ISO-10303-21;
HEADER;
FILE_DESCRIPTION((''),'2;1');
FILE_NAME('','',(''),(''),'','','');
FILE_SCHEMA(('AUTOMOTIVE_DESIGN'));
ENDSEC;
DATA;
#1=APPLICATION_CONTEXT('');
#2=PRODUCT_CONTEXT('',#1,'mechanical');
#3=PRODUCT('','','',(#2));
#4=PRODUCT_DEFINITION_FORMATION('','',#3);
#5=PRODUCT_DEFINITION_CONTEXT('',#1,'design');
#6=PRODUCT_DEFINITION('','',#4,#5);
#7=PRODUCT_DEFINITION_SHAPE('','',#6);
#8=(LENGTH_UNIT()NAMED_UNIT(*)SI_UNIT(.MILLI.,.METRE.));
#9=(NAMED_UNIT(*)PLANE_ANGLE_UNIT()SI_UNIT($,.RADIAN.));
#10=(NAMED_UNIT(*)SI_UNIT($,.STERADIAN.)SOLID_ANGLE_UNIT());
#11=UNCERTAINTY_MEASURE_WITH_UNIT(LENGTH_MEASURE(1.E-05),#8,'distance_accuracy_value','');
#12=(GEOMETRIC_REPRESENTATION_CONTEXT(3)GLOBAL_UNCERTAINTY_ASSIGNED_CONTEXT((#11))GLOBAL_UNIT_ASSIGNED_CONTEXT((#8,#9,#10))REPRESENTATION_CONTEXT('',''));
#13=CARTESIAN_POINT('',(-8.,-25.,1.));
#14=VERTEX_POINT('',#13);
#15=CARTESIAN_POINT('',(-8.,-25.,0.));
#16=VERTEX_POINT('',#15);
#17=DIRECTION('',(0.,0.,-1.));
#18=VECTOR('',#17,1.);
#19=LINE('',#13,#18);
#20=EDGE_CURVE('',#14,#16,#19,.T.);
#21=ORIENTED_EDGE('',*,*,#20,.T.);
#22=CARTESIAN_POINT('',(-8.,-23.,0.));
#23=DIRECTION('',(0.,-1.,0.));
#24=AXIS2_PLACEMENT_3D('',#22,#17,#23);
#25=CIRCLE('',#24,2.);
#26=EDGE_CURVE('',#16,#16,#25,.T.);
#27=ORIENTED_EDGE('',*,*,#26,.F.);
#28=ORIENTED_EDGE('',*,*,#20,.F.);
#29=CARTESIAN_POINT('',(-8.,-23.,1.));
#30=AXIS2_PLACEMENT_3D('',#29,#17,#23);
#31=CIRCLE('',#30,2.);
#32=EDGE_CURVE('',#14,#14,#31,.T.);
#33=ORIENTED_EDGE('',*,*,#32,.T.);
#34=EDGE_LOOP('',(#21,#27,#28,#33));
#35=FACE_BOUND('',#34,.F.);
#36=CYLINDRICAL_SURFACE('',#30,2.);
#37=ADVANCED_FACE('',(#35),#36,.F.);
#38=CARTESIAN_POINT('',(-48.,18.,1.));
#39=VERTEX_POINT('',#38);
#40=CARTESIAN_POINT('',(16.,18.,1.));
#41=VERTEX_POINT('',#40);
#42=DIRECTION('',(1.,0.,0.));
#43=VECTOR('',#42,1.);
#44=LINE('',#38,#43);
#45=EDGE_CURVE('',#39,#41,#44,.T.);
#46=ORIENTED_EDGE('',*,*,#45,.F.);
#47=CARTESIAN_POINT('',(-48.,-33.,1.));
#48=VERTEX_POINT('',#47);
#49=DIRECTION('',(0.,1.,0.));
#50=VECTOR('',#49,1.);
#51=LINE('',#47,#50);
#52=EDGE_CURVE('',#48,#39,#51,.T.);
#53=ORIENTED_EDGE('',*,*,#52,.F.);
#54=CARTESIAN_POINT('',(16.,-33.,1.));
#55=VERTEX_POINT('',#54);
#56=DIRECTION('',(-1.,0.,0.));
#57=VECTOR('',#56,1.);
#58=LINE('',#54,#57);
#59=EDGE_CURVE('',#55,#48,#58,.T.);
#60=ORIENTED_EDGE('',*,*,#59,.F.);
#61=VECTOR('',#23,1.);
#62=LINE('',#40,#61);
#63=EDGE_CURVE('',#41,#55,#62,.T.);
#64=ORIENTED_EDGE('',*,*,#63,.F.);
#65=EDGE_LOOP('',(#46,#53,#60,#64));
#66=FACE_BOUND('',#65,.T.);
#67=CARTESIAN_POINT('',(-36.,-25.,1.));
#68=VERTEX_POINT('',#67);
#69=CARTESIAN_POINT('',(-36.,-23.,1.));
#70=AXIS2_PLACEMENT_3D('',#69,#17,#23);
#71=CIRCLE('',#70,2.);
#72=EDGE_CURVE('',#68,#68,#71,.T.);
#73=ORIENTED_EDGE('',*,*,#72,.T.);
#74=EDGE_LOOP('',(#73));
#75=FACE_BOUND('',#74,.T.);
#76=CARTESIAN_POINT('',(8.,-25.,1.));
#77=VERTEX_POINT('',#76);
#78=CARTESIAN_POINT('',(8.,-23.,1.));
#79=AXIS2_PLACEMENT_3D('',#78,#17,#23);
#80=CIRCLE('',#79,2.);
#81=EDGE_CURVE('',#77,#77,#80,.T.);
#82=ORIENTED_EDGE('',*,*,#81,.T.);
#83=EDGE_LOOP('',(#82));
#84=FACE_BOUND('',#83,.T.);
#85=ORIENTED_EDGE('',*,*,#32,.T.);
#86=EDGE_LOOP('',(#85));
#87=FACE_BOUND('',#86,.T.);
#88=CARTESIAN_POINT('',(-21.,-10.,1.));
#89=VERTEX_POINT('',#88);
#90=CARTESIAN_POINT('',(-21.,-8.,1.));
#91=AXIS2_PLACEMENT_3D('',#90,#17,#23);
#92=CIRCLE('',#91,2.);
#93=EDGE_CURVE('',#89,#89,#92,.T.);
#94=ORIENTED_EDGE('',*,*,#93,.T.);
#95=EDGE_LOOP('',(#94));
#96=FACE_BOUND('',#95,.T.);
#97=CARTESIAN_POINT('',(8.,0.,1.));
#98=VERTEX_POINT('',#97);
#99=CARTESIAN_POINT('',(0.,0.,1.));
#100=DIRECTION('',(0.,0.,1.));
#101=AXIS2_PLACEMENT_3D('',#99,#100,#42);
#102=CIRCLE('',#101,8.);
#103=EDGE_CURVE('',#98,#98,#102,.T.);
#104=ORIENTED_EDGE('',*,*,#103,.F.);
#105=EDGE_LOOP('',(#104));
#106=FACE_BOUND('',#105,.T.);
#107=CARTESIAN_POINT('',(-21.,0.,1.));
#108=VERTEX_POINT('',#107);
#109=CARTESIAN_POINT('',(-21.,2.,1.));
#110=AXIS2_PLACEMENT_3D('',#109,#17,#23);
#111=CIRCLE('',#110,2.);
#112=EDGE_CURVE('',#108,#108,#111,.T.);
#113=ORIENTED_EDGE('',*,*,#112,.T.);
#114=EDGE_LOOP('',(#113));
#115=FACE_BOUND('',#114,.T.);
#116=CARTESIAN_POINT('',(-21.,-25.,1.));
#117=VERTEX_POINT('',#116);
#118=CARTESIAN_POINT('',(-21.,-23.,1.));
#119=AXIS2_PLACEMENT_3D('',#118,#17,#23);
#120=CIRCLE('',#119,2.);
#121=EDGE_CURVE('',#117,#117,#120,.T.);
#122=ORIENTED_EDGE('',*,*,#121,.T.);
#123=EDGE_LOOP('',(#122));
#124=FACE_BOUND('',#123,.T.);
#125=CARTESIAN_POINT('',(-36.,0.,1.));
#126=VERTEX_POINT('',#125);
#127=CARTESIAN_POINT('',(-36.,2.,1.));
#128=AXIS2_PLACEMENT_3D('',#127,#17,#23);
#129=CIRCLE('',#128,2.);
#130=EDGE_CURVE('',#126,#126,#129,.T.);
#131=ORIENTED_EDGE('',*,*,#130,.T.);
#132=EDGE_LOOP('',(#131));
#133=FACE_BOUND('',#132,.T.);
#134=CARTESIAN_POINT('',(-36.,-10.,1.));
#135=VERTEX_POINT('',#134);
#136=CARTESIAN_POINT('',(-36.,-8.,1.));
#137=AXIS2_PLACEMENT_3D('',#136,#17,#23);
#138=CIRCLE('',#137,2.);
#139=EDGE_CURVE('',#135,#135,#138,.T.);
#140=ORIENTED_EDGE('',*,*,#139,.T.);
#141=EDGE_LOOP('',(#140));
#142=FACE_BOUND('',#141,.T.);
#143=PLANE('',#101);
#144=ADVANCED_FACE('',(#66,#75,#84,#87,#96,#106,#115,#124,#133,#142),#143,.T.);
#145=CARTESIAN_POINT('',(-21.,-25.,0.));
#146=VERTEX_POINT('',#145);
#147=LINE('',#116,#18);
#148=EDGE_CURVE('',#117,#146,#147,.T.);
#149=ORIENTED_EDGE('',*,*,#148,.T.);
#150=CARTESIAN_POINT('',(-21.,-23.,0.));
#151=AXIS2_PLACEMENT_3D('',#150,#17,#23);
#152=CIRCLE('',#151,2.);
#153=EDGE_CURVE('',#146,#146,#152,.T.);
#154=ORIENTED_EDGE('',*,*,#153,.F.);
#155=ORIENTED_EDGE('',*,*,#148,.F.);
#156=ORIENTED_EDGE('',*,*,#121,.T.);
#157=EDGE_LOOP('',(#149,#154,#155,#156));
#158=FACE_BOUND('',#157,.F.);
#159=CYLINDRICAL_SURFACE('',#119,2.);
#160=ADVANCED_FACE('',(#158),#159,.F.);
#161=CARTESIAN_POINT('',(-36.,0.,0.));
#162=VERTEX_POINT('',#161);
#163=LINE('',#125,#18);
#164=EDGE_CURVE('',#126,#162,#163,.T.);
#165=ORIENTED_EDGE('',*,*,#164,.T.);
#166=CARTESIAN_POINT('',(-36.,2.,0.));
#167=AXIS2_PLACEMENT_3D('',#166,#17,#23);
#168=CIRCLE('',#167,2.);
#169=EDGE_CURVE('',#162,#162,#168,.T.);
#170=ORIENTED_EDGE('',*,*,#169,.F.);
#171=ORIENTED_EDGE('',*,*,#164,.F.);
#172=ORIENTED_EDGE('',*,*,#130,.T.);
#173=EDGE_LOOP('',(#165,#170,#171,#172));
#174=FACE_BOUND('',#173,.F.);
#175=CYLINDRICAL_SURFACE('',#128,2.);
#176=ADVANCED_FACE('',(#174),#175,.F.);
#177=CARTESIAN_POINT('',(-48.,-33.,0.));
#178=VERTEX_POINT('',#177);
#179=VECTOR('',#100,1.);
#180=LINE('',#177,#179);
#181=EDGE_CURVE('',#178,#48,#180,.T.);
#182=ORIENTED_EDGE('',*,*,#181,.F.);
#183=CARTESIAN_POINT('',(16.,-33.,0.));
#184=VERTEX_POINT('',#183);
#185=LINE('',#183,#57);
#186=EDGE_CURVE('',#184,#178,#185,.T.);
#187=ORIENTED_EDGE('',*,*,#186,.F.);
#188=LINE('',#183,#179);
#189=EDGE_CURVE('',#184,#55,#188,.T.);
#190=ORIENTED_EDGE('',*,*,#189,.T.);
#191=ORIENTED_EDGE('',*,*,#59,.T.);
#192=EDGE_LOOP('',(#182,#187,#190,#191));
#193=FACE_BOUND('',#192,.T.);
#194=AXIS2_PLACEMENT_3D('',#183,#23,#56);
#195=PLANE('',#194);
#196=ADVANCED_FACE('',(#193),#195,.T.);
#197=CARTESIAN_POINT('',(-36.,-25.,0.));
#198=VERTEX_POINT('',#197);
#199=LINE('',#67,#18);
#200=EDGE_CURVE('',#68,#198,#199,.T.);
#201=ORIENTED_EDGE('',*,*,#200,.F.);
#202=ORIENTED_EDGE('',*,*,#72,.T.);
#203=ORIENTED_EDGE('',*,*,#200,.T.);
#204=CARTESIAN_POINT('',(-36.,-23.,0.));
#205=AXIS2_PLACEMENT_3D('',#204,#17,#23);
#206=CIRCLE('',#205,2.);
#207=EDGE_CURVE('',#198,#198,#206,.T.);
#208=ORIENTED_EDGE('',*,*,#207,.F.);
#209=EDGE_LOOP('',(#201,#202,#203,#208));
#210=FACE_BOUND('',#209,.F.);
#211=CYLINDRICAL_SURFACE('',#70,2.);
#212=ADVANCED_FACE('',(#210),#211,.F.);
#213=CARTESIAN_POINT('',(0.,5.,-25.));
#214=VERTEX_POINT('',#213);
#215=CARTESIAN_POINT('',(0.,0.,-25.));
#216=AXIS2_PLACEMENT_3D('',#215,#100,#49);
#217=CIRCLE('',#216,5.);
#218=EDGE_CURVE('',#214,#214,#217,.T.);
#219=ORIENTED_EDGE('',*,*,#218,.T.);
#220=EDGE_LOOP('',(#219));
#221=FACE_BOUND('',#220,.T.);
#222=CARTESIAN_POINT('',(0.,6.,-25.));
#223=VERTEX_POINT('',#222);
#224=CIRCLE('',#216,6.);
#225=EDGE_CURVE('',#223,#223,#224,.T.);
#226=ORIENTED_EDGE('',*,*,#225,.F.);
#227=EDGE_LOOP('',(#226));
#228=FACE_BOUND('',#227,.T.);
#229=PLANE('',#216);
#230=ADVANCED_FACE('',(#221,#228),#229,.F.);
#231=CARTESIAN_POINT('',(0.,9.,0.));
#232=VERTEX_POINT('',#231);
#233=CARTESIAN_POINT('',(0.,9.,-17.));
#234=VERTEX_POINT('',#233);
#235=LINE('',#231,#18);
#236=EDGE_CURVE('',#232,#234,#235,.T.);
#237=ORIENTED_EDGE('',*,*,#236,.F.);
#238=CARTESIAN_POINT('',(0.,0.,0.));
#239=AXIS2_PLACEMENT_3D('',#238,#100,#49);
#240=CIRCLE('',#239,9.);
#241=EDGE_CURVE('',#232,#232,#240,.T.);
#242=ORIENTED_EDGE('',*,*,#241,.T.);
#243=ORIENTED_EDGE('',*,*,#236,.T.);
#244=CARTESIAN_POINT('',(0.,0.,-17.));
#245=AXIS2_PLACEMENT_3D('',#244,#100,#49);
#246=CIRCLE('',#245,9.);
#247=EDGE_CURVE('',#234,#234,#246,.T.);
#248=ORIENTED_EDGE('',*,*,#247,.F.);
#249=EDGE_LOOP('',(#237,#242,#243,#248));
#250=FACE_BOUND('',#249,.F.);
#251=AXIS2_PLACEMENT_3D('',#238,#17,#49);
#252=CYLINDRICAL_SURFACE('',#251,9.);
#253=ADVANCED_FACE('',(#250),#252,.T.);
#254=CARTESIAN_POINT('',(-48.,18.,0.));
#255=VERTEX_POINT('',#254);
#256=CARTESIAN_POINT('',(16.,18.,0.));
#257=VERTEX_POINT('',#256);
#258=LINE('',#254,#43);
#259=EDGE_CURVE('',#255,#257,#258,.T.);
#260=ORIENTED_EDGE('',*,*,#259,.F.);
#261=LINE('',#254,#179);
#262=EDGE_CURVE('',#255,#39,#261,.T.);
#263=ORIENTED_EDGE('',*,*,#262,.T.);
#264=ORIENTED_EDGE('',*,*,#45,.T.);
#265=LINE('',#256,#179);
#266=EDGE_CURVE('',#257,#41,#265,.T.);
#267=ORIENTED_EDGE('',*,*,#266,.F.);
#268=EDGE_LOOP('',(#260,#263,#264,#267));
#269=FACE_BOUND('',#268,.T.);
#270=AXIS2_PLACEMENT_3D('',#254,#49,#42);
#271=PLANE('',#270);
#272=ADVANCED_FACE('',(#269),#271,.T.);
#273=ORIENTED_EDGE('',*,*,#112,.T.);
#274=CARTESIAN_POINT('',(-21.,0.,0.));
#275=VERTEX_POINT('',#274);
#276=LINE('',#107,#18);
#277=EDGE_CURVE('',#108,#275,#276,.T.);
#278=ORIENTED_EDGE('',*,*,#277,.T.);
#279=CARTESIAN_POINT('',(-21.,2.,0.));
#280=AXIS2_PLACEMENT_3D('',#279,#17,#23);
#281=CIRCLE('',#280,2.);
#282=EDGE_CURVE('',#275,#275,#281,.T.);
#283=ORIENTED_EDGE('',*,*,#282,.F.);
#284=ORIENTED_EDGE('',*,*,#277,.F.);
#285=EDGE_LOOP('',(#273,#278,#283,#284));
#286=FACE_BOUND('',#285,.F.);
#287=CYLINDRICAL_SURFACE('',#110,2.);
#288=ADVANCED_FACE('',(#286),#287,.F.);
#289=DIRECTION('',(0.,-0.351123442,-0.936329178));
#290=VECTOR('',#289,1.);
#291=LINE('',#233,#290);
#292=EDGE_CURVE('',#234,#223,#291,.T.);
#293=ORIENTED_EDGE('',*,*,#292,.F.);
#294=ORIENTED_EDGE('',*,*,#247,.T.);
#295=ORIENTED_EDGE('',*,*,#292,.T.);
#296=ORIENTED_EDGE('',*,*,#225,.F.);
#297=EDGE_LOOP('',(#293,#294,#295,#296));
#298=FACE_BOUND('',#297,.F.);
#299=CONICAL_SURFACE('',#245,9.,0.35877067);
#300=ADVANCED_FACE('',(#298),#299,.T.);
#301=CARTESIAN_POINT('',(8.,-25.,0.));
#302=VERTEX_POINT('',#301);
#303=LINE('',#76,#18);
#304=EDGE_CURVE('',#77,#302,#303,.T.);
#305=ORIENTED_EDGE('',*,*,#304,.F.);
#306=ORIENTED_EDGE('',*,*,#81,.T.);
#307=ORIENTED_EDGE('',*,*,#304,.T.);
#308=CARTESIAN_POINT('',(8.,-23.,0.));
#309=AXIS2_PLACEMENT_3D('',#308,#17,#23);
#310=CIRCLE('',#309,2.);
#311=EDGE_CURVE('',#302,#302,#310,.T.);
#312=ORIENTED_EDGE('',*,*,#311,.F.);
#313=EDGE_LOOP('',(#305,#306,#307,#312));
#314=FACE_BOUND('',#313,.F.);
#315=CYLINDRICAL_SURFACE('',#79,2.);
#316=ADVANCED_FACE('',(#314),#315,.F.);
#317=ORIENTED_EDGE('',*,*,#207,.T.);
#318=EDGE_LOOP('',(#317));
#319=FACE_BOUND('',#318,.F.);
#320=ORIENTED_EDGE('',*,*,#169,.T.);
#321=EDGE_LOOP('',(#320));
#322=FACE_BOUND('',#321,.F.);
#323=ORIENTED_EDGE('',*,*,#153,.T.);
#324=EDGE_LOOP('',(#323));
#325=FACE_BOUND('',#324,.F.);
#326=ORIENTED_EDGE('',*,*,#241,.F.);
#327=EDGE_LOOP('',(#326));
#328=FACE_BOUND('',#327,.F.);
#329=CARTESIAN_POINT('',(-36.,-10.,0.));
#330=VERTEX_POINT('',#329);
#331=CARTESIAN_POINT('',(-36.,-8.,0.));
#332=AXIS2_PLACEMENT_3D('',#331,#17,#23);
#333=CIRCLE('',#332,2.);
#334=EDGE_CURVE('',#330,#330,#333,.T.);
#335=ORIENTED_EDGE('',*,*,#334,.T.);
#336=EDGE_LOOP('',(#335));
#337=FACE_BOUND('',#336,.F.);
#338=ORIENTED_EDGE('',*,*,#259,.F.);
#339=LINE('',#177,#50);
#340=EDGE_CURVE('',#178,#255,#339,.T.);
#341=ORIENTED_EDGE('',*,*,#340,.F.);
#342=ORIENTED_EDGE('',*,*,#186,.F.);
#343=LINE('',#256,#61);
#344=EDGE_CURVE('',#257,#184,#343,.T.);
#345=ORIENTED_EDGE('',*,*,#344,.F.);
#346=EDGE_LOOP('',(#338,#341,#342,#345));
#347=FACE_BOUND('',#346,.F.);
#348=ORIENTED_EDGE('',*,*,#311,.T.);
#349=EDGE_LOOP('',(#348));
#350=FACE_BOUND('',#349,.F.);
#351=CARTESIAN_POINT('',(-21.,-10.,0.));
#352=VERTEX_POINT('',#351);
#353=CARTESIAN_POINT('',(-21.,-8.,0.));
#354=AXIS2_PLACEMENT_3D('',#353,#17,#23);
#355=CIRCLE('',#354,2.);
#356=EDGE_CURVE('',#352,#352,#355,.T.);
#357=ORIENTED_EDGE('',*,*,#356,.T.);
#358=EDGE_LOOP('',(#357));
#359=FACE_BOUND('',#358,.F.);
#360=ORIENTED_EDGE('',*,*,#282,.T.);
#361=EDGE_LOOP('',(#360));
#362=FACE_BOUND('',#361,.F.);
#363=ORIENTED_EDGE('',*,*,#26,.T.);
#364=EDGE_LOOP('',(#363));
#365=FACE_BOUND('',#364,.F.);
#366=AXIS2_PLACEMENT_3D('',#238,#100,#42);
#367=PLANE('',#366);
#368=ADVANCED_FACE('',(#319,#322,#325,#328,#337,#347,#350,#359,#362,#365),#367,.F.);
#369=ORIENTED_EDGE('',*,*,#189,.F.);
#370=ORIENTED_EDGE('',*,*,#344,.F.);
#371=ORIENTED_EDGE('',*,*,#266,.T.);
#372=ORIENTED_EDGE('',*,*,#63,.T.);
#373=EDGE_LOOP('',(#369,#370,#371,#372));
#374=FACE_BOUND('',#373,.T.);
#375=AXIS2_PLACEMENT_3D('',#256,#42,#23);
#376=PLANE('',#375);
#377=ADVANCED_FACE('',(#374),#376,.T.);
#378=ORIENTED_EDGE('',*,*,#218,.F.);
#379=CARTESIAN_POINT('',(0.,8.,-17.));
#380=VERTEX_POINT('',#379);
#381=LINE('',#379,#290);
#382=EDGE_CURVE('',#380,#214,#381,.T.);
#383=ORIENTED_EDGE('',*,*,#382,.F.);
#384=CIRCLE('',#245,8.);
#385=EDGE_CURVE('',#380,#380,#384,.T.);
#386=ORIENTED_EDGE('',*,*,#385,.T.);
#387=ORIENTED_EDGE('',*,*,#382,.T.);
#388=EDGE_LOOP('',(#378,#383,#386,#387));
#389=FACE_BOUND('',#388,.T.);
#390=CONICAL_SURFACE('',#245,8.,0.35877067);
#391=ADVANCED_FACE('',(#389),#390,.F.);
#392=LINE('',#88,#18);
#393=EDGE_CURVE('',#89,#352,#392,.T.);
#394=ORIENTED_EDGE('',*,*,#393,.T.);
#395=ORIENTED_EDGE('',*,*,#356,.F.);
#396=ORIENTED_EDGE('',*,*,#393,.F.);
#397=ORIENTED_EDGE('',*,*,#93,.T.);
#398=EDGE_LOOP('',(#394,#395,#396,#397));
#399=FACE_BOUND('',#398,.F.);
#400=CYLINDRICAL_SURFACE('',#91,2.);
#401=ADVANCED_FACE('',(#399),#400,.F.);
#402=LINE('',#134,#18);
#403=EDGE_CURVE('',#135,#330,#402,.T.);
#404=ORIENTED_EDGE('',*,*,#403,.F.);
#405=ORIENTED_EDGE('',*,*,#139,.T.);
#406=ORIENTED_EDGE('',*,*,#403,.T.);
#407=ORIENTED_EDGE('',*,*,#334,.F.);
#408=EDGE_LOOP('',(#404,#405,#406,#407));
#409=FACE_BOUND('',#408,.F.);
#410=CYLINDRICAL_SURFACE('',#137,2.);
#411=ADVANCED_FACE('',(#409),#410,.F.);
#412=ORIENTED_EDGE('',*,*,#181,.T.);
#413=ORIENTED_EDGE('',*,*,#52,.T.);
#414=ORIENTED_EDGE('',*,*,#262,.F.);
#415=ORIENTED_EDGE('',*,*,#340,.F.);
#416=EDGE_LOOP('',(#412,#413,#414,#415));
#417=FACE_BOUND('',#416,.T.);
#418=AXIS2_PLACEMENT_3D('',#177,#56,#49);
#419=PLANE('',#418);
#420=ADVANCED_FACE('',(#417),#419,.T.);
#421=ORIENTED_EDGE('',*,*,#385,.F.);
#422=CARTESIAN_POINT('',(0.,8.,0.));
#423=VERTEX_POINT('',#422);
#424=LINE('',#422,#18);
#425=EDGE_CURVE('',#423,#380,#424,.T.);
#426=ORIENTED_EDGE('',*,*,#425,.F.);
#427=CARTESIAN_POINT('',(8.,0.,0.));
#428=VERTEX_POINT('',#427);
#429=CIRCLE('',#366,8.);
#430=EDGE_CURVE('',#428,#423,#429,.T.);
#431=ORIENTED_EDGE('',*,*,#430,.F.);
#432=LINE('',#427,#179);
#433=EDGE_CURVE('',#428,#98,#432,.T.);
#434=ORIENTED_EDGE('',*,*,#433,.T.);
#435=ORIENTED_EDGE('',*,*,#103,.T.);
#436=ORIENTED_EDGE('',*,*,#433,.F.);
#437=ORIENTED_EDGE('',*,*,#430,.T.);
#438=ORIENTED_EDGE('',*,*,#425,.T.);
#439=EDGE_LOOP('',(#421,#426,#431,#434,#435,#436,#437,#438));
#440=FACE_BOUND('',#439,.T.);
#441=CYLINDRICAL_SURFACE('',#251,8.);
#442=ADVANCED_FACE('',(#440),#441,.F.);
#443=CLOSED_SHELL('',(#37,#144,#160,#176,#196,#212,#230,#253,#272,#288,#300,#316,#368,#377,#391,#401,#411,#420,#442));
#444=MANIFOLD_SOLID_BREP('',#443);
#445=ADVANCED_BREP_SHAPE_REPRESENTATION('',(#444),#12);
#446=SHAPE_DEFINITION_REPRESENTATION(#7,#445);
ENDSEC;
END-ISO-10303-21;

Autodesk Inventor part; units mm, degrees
ref_plane "YZ Plane" through (0, 0, 0) normal (1, 0, 0) x (0, 1, 0)
ref_plane "XZ Plane" through (0, 0, 0) normal (0, 1, 0) x (-1, 0, 0)
ref_plane "XY Plane" through (0, 0, 0) normal (0, 0, 1) x (1, 0, 0)
sketch "Sketch1" plane through (0, 0, 0) normal (0, 0, 1) x (1, 0, 0)
  line L0 (-48, 18) -> (16, 18)
  line L1 (16, 18) -> (16, -33)
  line L2 (16, -33) -> (-48, -33)
  line L3 (-48, -33) -> (-48, 18)
  circle A0 centre (0, 0) radius 8
  dimension "d0" = 64
  dimension "d1" = 51
  dimension "d2" = 18
  dimension "d3" = 16
  dimension "d4" = 16
extrude "Extrusion1" add sketch "Sketch1" along normal blind 1
sketch "Sketch2" plane through (0, 0, 1) normal (0, 0, 1) x (1, 0, 0)
  line L0 (-48, 18) -> (-48, -33) projected
  line L1 (-48, -33) -> (16, -33) projected
  point P0 (0, 0)
  point P1 (-36, 2)
  point P2 (-36, -8)
  point P3 (-36, -23)
  point P4 (-21, 2)
  point P5 (-21, -8)
  point P6 (-21, -23)
  point P7 (-8, -23)
  point P8 (8, -23)
  dimension "d7" = 12
  dimension "d8" = 15
  dimension "d9" = 13
  dimension "d10" = 16
  dimension "d11" = 10
  dimension "d12" = 15
  dimension "d13" = 10
hole "Hole1" at (-36, 2, 1) at (-36, -8, 1) at (-36, -23, 1) at (-21, 2, 1) at (-21, -8, 1) at (-21, -23, 1) at (-8, -23, 1) at (8, -23, 1) direction (0, 0, -1) diameter 4 end through all
sketch "Sketch7" plane through (0, 0, 0) normal (1, 0, 0) x (0, 1, 0)
  line L0 (8, 0) -> (-8, 0) projected
  line L1 (5, -25) -> (6, -25)
  line L2 (18, 0) -> (-33, 0) projected
  line L3 (8, 0) -> (9, 0)
  line L4 (0, -31.2) -> (0, 5.2) projected
  line L5 (9, 0) -> (9, -17)
  line L6 (9, -17) -> (6, -25)
  line L7 (8, 0) -> (8, -17)
  line L8 (8, -17) -> (5, -25)
  point P0 (0, 0)
  dimension "d33" = 25
  dimension "d34" = 1
  dimension "d35" = 5
  dimension "d37" = 17
revolve "Revolution1" add sketch "Sketch7" angle 360 about axis through (0, 0, -10) along (0, 0, 1)
sketch "Sketch8" plane through (0, 0, -25) normal (0, 0, -1) x (-1, 0, 0)
  point P0 (0, 0)
properties part number "OpeningV2"
